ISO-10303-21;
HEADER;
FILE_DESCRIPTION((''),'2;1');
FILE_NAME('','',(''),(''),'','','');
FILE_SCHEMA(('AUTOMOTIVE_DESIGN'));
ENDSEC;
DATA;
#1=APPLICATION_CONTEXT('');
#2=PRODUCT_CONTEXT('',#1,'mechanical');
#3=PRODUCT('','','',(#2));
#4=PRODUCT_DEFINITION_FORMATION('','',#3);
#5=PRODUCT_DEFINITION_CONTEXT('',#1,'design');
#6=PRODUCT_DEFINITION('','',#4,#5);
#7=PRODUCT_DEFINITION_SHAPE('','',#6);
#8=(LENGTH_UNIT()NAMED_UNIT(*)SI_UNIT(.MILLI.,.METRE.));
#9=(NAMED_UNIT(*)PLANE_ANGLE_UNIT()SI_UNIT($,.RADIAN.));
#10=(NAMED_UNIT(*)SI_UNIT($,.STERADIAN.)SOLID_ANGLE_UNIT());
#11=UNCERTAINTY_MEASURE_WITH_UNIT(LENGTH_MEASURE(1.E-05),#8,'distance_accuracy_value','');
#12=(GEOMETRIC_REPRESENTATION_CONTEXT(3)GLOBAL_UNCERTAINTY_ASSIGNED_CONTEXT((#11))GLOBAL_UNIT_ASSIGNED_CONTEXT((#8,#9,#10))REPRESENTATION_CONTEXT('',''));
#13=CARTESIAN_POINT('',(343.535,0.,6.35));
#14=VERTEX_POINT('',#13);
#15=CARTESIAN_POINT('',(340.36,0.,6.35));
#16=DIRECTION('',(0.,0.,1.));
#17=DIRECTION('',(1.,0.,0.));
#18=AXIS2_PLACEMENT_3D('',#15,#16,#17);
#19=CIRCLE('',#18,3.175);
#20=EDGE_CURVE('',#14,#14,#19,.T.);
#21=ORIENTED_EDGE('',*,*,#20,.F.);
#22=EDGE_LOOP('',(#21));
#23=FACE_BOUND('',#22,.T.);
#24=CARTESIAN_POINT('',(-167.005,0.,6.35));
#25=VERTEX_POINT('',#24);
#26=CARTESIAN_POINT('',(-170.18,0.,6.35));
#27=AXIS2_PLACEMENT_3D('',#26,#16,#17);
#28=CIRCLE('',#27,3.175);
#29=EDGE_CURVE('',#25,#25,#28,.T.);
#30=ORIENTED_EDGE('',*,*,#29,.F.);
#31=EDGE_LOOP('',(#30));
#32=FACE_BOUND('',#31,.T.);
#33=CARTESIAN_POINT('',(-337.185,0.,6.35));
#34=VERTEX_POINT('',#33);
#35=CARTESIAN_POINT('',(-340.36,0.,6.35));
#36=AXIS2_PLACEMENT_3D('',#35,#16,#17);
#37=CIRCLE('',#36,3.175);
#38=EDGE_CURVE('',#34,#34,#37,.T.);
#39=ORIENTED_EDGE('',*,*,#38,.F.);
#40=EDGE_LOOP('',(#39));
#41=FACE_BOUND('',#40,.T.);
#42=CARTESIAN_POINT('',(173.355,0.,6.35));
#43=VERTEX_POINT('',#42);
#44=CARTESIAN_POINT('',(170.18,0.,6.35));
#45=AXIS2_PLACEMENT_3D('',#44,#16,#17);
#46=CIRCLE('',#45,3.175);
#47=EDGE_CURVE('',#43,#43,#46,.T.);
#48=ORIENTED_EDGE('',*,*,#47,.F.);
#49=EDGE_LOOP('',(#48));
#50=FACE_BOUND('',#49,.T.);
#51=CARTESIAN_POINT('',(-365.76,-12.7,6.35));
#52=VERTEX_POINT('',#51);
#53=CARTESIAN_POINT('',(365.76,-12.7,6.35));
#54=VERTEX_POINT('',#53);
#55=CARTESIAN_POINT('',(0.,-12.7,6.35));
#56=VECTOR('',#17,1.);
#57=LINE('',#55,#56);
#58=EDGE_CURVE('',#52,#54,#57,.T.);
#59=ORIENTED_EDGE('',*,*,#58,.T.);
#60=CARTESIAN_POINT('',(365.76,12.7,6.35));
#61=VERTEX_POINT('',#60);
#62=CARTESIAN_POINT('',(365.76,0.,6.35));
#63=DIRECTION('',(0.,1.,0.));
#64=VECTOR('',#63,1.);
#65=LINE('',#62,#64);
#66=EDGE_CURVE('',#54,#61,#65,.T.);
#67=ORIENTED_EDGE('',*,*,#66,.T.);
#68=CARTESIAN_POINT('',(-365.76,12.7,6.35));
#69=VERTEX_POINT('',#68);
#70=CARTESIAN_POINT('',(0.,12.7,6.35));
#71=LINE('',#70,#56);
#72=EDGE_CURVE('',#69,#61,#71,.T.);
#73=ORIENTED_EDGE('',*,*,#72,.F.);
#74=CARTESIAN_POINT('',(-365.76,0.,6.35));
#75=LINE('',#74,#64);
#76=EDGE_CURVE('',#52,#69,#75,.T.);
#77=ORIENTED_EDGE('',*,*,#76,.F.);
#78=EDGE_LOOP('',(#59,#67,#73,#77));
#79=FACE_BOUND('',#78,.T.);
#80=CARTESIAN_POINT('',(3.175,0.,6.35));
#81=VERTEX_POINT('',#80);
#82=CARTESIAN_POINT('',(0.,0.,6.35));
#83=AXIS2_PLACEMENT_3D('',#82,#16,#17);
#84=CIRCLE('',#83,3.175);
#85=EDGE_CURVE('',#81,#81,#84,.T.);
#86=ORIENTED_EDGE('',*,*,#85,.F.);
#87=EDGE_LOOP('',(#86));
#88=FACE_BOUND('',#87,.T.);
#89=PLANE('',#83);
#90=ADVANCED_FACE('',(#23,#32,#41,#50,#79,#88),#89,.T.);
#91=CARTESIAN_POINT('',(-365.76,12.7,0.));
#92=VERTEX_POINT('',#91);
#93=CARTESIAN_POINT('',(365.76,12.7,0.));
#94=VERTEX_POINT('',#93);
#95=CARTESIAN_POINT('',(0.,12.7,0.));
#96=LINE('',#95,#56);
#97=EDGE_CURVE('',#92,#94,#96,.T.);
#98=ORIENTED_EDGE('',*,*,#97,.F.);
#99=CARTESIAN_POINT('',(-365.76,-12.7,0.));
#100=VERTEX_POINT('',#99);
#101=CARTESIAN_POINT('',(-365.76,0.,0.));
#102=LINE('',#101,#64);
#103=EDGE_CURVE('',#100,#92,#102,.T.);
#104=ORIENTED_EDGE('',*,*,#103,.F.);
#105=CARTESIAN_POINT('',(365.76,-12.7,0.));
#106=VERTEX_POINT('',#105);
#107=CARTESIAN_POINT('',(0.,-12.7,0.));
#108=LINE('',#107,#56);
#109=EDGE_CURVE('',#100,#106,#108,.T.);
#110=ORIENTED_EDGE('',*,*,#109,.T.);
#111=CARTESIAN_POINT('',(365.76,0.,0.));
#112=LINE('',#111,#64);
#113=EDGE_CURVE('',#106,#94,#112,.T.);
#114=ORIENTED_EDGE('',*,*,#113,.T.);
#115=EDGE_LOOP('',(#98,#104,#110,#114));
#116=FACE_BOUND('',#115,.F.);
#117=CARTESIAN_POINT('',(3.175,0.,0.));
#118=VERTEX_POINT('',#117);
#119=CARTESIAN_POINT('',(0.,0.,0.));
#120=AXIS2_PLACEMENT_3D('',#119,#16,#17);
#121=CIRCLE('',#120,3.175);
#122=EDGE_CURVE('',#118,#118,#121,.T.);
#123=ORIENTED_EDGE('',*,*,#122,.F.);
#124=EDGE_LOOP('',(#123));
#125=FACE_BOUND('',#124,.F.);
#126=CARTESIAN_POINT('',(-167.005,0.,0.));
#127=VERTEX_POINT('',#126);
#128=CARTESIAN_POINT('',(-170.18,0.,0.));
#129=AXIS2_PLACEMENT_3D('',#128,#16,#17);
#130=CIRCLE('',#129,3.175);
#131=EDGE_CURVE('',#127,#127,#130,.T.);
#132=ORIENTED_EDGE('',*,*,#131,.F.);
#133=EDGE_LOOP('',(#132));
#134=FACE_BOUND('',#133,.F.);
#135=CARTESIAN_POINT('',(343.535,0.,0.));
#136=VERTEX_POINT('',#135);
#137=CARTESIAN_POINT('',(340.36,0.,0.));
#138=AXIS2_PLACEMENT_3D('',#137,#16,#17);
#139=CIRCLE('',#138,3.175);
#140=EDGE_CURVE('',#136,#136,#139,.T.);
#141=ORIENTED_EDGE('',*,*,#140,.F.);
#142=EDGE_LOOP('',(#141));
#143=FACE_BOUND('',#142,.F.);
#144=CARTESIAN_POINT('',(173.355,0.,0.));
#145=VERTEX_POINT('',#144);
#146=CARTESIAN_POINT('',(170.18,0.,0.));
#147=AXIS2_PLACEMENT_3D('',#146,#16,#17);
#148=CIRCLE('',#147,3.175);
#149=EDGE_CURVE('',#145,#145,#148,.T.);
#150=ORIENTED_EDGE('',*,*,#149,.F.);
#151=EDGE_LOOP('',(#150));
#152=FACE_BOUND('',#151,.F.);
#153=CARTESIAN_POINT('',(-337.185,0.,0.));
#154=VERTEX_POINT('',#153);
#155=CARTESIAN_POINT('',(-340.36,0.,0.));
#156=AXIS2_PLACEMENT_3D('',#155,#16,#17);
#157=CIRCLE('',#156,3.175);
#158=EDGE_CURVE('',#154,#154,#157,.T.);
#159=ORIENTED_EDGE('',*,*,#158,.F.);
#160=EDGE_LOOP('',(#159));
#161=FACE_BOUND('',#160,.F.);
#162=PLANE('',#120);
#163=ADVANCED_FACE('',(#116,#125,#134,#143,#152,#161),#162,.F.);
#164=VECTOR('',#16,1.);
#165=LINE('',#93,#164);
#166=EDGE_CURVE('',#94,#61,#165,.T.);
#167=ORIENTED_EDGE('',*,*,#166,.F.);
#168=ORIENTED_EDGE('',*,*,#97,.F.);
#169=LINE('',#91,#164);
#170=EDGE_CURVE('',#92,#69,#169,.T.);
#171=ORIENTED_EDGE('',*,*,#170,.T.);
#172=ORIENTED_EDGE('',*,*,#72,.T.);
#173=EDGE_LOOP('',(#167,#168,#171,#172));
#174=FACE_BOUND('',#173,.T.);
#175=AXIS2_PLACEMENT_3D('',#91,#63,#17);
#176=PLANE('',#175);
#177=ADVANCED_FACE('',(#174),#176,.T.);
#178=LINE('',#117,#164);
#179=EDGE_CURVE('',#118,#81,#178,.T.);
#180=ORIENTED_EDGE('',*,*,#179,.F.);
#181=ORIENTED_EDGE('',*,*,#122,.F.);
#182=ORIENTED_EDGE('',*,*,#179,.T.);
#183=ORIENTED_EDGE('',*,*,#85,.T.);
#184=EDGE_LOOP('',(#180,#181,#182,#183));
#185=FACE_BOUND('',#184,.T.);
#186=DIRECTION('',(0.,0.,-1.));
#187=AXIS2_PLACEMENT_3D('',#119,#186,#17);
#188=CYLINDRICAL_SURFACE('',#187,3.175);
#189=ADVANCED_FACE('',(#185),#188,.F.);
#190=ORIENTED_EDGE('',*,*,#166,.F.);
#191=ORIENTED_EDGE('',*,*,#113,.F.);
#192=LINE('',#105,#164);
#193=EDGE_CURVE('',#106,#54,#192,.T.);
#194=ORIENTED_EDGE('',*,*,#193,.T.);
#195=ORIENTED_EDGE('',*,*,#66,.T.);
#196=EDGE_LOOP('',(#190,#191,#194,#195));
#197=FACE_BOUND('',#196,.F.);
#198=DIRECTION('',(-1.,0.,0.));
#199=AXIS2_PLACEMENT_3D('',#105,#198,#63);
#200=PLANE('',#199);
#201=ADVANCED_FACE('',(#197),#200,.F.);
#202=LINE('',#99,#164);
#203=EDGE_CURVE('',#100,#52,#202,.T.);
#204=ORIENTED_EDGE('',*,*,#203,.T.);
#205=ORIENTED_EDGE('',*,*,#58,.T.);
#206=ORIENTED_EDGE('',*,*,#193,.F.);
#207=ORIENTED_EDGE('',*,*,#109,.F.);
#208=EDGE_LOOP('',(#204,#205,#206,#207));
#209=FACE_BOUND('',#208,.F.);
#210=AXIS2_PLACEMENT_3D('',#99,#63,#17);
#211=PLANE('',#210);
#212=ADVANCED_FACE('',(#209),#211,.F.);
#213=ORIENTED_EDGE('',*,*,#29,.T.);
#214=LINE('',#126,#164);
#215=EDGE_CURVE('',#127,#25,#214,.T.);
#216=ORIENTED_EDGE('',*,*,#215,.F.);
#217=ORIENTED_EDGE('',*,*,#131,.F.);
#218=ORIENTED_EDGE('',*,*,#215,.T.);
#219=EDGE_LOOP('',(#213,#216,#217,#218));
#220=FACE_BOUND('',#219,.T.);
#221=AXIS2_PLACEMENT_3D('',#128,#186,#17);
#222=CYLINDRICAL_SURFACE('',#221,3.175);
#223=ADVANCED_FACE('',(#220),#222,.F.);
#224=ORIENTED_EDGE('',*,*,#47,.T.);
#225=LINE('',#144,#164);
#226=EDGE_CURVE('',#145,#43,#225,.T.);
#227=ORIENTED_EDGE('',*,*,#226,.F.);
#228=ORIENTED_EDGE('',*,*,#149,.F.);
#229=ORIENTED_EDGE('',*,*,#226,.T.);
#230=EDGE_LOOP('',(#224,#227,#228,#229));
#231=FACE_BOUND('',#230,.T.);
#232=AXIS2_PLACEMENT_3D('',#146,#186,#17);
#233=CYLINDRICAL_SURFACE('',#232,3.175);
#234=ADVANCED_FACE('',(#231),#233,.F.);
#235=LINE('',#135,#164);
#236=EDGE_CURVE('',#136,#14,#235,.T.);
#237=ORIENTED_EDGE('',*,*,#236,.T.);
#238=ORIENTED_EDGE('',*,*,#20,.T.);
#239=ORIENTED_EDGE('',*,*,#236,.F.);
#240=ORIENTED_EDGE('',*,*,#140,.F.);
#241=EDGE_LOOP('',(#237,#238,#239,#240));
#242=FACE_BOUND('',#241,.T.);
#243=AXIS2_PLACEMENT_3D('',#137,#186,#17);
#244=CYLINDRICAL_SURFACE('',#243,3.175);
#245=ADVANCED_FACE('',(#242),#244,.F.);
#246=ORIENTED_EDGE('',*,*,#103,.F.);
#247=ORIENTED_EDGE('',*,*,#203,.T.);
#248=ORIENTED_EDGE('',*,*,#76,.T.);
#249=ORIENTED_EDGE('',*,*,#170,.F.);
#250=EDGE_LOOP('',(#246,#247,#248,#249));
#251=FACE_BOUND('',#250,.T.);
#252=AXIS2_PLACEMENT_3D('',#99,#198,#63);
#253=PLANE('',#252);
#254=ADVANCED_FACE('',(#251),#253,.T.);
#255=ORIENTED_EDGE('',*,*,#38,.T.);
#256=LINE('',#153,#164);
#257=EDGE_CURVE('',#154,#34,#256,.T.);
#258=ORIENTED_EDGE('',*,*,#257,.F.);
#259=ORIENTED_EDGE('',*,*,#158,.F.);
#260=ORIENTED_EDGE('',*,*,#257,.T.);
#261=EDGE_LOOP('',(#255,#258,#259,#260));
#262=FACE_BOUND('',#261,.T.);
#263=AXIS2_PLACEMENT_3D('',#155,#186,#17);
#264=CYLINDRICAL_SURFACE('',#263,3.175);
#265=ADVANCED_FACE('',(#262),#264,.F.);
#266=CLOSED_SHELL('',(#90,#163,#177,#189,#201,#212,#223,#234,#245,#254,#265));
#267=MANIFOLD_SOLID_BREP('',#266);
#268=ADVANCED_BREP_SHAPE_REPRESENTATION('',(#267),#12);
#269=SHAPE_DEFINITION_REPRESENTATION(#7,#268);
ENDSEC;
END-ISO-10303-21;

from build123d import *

# Parameters (mm, degrees)
F0_W     = 731.52
F0_H     = 25.4
F0_R     = 3.175
F1_DEPTH = 6.35


with BuildPart() as f1:
    # F0 (on Top) → F1 (new body)
    with BuildSketch(Plane.XY):
        Rectangle(F0_W, F0_H)
        with Locations((-340.36, 0)):
            Circle(F0_R, mode=Mode.SUBTRACT)
        with Locations((-170.18, 0)):
            Circle(F0_R, mode=Mode.SUBTRACT)
        Circle(F0_R, mode=Mode.SUBTRACT)
        with Locations((170.18, 0)):
            Circle(F0_R, mode=Mode.SUBTRACT)
        with Locations((340.36, 0)):
            Circle(F0_R, mode=Mode.SUBTRACT)
    extrude(amount=F1_DEPTH)


solid = f1.part
